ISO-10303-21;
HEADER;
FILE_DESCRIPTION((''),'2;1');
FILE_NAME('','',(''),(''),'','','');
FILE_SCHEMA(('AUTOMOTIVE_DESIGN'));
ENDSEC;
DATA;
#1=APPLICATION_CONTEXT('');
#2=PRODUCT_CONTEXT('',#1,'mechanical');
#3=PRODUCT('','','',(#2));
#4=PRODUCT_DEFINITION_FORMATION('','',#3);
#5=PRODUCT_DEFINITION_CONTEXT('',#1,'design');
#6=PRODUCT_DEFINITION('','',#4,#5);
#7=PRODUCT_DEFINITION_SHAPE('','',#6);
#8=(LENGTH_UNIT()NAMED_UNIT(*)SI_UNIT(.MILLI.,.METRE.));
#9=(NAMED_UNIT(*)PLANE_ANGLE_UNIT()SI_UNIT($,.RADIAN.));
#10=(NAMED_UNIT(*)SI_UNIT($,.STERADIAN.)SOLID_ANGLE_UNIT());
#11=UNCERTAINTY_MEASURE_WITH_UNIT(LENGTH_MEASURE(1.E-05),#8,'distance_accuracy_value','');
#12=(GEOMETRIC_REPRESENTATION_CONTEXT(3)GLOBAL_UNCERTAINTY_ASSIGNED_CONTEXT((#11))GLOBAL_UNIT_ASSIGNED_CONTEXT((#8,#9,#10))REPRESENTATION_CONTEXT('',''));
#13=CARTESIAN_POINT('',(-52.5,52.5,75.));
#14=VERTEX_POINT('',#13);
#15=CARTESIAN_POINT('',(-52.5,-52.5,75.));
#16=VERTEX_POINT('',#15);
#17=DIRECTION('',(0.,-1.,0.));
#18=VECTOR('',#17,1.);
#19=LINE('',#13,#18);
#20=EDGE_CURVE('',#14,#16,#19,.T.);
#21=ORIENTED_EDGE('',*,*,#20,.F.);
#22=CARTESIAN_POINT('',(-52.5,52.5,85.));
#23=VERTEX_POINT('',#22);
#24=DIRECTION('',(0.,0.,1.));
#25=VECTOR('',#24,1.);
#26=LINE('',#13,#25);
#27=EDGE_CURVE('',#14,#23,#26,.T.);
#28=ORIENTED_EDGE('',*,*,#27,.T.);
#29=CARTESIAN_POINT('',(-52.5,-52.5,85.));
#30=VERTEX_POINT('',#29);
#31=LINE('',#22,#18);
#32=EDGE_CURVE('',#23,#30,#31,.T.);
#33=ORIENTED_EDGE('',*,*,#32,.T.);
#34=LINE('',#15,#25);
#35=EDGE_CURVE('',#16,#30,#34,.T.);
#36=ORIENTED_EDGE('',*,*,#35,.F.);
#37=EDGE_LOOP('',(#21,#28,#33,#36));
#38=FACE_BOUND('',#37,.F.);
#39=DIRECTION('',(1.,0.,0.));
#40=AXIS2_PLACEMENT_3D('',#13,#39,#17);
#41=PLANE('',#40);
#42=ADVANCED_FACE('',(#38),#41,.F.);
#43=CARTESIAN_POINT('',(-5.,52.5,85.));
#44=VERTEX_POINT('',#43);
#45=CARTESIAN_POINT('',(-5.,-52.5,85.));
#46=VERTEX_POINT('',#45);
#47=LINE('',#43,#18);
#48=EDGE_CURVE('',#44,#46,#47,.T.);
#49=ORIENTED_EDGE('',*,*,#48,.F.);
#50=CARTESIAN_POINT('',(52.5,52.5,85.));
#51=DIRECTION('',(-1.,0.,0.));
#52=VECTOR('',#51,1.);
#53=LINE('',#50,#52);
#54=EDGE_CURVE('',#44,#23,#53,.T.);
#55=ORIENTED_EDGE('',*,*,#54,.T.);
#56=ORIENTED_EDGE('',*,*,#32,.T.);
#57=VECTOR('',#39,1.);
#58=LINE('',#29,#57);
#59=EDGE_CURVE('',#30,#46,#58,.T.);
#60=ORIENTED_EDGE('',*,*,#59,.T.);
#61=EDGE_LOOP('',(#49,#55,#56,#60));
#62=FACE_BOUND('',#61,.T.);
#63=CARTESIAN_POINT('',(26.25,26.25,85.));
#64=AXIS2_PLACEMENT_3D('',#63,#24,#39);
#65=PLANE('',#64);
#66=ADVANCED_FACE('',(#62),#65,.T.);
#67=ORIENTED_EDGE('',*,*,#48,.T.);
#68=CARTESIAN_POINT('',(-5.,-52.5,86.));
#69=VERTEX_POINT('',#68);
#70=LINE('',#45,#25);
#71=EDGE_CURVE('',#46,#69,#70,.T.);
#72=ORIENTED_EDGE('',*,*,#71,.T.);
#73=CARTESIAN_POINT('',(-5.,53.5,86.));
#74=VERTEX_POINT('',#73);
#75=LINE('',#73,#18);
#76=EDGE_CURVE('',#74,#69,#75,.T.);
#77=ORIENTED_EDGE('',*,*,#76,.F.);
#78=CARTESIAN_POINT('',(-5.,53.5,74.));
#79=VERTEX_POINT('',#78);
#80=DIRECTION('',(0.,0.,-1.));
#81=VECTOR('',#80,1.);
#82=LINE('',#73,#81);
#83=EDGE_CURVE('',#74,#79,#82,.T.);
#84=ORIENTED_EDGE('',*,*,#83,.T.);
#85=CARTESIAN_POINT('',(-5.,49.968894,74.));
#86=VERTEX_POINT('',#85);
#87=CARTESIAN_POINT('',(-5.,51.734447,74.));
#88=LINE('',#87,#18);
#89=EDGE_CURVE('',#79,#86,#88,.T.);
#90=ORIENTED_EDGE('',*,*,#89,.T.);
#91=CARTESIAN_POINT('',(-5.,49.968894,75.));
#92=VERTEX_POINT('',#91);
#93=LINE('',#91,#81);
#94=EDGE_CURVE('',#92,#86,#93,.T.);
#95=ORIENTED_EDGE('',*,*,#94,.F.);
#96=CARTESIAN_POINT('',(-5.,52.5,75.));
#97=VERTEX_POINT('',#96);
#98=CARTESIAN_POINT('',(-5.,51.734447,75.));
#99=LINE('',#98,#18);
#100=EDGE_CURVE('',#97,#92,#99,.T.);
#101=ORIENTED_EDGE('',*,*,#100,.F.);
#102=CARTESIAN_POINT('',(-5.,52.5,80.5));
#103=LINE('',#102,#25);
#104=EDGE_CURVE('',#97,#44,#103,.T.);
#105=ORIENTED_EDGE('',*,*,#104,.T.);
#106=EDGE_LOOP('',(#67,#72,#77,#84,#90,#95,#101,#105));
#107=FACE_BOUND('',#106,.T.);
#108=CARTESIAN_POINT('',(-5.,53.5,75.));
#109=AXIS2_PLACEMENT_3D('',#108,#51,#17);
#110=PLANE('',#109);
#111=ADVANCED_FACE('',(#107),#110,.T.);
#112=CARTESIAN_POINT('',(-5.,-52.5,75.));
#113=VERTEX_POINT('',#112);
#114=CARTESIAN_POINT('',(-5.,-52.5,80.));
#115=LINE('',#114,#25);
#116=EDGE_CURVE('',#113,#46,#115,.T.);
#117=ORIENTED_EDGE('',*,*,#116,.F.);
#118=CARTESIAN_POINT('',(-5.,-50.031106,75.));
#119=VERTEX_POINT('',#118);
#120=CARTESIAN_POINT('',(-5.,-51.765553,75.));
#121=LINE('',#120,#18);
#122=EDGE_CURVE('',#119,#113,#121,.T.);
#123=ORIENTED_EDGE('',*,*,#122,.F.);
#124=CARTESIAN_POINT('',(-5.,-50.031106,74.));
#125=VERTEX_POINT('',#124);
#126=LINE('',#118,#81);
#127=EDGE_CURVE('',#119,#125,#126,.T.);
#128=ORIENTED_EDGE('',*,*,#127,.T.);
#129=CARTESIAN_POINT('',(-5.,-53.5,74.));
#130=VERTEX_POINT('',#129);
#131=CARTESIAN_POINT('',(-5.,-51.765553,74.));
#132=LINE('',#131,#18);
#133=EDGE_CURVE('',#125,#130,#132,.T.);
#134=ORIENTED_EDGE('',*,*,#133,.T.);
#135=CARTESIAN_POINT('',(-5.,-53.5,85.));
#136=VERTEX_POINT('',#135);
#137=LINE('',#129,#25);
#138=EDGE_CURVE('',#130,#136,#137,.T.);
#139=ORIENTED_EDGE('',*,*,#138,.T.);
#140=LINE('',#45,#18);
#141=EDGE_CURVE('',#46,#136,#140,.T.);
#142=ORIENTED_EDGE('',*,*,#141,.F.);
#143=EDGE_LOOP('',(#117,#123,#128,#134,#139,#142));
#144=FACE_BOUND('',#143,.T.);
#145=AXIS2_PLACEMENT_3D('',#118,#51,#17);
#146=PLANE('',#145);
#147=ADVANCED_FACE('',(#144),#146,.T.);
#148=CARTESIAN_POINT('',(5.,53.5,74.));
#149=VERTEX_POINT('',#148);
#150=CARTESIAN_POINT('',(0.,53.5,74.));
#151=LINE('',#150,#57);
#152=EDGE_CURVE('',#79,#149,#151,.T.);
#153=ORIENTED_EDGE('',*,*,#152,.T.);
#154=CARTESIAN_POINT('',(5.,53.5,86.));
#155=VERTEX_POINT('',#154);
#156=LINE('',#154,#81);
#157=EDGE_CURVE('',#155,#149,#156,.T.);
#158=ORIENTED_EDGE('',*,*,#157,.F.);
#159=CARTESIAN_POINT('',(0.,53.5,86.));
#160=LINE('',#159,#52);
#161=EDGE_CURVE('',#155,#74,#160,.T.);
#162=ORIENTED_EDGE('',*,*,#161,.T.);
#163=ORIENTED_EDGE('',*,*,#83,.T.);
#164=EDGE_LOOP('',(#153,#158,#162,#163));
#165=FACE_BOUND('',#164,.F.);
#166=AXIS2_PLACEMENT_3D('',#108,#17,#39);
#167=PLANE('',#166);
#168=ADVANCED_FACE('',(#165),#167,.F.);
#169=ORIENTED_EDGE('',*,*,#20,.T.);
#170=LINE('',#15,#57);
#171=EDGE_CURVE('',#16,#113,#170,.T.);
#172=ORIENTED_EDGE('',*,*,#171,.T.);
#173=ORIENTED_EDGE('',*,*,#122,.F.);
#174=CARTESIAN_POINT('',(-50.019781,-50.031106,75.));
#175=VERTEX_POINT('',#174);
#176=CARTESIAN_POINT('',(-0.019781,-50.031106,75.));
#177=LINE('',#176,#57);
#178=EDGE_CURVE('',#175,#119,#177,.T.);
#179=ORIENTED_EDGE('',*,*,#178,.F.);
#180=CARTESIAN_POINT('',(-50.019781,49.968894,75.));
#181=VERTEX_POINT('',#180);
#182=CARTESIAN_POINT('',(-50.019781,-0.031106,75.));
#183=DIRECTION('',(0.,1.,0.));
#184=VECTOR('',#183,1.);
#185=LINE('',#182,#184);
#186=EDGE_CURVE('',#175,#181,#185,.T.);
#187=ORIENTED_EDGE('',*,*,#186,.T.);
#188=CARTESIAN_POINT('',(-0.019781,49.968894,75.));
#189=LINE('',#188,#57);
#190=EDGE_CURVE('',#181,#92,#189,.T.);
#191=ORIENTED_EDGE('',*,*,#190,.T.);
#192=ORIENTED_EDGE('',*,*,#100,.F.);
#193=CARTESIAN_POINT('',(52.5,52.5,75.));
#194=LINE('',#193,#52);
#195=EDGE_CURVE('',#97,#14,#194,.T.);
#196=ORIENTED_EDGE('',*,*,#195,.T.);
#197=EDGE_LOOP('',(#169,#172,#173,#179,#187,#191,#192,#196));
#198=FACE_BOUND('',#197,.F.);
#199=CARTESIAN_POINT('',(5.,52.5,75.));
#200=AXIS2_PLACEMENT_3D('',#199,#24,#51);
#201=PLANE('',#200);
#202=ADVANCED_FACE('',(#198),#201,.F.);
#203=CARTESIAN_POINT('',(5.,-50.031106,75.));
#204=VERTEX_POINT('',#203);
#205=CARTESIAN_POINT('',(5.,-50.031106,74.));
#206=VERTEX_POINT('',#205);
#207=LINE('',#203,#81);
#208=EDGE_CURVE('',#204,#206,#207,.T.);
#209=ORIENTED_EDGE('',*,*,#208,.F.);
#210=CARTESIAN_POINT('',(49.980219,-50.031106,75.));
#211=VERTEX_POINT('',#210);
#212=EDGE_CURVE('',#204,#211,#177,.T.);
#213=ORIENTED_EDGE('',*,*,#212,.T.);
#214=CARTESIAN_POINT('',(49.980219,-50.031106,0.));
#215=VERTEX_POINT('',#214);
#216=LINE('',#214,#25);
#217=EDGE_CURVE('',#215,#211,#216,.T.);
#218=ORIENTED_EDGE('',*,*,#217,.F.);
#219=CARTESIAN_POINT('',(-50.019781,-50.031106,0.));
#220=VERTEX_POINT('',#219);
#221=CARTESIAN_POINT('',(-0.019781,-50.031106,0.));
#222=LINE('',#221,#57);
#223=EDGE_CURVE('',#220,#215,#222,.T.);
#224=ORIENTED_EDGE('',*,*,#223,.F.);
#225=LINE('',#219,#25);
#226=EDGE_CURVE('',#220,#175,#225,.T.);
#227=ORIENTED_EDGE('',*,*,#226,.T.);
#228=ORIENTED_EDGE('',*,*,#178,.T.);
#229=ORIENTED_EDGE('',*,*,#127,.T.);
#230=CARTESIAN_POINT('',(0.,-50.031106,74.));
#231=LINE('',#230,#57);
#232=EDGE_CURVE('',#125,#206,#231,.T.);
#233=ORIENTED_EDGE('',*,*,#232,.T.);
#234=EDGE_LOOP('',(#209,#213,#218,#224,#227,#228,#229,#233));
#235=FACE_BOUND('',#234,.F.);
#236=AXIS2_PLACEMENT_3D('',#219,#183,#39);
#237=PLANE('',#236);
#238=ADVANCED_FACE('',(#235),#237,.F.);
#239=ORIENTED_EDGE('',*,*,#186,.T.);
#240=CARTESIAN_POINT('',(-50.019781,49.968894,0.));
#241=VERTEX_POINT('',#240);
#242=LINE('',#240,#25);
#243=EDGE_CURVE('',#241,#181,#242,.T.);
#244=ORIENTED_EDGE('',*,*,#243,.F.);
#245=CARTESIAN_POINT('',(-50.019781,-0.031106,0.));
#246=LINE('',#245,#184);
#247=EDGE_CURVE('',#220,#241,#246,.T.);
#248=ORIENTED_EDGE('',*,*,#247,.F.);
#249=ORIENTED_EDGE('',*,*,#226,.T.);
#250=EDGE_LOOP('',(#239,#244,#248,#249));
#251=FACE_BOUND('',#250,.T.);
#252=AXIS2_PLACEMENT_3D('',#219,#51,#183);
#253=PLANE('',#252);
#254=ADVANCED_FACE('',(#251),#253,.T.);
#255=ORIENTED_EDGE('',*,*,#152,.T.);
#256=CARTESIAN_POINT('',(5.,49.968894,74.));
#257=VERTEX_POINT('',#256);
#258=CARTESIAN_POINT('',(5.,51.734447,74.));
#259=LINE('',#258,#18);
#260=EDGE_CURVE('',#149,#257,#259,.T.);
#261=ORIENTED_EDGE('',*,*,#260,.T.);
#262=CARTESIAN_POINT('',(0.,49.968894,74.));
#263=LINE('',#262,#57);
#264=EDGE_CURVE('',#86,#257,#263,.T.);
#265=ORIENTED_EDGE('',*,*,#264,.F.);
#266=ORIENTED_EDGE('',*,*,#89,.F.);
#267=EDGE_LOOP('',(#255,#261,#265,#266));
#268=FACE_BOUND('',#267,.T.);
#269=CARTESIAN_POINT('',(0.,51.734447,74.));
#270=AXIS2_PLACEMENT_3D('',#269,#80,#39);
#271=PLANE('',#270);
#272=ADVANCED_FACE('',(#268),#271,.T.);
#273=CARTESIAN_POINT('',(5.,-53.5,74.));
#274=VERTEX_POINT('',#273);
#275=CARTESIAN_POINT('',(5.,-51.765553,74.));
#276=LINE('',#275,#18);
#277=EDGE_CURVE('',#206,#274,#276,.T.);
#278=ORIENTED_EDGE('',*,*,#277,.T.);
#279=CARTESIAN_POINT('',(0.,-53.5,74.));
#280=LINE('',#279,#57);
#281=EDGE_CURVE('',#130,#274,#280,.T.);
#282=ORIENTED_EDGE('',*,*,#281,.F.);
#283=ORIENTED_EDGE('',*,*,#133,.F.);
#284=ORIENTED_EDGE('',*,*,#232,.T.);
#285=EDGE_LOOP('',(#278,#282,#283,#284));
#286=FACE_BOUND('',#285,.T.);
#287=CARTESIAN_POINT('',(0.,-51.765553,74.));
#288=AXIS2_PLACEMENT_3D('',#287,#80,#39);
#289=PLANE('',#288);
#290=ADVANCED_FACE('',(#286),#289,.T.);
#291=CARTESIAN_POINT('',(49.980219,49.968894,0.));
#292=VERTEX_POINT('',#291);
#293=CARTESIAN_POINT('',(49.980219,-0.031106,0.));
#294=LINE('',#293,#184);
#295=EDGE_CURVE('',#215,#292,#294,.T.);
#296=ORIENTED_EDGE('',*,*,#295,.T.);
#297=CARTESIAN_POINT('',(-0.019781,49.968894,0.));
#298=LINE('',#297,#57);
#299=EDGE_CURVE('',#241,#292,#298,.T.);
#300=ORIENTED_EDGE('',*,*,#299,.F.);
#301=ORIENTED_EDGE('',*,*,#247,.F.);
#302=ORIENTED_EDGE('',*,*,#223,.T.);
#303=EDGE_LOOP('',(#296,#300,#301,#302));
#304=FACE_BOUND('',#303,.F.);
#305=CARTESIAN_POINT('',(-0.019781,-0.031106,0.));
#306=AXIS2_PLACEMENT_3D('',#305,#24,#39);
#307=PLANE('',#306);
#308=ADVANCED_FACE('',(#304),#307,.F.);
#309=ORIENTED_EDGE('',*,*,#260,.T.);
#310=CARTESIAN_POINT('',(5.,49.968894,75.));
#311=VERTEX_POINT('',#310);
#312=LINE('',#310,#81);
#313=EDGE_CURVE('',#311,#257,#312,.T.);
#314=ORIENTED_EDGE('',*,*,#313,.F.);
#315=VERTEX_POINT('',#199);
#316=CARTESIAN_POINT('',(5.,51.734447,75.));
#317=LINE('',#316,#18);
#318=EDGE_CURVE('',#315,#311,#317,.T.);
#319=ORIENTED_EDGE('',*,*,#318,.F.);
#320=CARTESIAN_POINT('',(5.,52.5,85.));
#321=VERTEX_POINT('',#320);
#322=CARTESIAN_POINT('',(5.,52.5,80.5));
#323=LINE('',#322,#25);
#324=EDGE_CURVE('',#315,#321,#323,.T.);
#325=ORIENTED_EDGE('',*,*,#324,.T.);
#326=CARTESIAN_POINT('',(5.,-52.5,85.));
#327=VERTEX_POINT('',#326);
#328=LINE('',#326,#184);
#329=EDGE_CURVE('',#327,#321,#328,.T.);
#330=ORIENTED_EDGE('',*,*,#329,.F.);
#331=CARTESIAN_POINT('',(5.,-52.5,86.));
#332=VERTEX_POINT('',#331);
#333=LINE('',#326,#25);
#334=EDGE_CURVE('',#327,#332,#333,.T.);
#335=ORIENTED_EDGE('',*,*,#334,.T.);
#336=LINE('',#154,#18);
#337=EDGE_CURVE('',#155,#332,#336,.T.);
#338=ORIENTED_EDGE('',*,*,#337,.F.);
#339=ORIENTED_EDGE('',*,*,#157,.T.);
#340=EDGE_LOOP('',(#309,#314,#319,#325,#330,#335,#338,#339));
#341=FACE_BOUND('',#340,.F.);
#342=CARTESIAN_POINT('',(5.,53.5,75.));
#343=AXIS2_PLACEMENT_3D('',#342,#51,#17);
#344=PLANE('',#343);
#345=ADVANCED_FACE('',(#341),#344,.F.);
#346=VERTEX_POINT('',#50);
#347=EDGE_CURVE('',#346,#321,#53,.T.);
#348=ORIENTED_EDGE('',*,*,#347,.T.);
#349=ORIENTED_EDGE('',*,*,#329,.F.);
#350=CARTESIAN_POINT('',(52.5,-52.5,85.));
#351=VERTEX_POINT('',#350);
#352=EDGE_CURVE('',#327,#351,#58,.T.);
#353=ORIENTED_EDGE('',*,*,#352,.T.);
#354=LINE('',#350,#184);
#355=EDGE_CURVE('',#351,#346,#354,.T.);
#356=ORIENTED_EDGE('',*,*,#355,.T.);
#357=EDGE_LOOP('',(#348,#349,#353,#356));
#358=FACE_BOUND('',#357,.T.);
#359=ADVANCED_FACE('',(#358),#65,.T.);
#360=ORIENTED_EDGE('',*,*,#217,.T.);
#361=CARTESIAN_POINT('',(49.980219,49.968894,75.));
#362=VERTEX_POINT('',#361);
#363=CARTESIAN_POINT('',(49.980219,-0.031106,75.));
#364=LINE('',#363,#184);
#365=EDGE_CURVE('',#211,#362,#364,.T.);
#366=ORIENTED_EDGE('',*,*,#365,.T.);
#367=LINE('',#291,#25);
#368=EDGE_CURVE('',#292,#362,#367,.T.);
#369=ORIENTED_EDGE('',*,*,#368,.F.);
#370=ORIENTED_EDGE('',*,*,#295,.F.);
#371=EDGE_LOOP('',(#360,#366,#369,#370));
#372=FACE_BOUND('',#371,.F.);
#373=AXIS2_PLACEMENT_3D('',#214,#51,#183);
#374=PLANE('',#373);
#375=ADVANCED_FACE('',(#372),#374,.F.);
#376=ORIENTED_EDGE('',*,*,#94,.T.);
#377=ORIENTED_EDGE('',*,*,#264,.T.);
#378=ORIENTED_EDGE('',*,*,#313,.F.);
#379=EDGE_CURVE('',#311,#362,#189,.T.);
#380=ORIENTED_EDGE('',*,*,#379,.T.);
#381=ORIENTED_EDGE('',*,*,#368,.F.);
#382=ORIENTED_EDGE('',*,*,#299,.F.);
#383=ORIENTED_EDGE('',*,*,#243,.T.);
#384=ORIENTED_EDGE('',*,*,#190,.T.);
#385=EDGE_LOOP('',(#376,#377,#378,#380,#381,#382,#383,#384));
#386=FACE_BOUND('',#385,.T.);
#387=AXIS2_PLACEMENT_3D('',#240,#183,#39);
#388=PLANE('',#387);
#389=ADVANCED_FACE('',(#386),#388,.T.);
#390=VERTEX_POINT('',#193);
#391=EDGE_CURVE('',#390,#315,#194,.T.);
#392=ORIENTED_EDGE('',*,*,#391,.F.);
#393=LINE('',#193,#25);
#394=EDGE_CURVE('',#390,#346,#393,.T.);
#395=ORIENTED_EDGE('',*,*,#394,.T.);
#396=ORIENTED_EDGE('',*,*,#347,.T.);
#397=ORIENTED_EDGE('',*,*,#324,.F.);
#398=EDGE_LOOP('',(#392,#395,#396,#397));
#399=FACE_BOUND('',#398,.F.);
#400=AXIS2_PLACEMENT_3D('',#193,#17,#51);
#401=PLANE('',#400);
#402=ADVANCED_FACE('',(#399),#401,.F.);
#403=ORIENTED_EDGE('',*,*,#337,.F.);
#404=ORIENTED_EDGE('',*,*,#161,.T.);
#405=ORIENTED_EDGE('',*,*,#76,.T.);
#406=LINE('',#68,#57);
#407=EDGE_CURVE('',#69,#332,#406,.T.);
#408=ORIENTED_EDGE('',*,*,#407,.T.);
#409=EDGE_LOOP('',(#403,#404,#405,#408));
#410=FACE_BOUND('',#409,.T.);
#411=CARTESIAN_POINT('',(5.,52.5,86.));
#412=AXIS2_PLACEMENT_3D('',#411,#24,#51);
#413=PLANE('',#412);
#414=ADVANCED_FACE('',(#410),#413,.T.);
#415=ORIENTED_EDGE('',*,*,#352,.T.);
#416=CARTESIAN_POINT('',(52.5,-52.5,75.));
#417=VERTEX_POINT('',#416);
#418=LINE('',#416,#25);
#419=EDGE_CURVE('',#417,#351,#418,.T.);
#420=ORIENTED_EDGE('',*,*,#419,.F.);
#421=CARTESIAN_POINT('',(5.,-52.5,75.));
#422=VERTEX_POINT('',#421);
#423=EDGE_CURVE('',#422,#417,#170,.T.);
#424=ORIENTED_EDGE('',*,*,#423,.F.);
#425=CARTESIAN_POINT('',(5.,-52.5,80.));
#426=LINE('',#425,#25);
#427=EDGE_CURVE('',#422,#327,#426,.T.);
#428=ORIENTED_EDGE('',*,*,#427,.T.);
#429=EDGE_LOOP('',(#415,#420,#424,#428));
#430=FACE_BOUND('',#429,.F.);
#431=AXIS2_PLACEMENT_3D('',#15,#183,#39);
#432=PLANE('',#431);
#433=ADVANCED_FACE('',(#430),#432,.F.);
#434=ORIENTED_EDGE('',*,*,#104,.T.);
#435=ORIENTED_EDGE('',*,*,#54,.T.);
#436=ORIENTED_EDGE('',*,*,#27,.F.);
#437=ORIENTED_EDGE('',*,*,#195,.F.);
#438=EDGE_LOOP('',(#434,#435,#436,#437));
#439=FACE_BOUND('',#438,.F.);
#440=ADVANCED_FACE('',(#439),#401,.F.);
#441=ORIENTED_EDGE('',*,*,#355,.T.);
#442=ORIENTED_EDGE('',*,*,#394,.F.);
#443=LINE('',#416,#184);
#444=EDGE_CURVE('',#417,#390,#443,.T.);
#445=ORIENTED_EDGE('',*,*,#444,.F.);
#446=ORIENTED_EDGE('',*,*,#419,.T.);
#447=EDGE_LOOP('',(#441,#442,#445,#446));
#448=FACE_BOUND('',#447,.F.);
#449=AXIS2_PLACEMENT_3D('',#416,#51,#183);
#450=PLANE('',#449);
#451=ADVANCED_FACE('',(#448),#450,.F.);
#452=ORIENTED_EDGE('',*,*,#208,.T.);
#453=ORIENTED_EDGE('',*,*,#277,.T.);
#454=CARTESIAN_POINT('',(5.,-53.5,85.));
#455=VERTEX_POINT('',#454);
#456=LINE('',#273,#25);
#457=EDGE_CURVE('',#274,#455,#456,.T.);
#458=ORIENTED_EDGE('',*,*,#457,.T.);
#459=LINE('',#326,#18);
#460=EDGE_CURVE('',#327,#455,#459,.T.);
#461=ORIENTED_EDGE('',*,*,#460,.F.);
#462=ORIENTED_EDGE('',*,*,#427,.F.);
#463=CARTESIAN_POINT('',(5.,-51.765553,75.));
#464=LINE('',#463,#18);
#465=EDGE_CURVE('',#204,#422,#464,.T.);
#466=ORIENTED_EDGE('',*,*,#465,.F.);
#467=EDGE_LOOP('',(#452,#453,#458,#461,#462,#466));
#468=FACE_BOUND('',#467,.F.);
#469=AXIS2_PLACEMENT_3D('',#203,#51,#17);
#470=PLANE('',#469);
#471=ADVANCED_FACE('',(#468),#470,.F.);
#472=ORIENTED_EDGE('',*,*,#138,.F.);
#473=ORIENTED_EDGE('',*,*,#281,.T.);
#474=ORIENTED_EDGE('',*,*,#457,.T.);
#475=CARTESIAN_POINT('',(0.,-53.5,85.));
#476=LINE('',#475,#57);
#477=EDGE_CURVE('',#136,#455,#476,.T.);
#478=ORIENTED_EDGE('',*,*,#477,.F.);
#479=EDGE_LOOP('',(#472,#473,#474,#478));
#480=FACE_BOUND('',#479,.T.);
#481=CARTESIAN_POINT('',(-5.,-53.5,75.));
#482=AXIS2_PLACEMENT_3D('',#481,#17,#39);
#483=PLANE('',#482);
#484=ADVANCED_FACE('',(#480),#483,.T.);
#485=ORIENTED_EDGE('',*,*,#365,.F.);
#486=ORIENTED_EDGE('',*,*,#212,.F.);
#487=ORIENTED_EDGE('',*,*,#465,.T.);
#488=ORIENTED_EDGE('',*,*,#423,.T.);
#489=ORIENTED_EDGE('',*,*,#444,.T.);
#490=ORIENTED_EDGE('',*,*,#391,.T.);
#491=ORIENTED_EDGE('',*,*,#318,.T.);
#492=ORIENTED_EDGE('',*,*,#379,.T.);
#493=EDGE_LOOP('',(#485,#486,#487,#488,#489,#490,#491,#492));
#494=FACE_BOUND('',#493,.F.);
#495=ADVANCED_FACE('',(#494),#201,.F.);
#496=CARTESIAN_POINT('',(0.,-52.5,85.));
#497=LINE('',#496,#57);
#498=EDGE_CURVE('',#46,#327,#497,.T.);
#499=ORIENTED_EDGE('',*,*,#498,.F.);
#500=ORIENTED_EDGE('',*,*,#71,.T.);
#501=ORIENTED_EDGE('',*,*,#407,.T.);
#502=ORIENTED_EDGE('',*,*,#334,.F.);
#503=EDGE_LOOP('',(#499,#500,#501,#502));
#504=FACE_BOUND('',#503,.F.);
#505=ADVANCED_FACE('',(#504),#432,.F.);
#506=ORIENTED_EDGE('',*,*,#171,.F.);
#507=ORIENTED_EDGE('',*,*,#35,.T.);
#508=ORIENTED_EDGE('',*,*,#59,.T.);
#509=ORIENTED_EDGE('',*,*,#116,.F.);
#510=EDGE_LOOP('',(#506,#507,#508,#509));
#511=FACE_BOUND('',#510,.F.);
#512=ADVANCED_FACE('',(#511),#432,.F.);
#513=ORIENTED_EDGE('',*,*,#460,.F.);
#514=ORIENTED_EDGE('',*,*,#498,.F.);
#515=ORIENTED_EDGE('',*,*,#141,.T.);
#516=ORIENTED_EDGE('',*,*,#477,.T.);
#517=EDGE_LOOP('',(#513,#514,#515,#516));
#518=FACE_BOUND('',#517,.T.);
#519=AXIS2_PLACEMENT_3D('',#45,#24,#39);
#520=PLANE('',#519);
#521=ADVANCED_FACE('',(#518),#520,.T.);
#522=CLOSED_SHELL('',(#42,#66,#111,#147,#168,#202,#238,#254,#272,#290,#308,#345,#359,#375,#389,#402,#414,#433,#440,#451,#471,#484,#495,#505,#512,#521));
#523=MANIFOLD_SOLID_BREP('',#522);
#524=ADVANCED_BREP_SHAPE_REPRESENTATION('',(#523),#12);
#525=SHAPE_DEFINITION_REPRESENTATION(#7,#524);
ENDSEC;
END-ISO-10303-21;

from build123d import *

# Parameters (mm, degrees)
F0_W      = 100
F0_H      = 100
F1_DEPTH  = 75
F2_W      = 52.5
F2_H      = 52.5
F3_DEPTH  = 10
F4_W      = 5
F4_H      = 52.5
F5_DEPTH  = 1
F6_W      = 10
F6_H      = 10
F7_DEPTH  = 1
F8_W      = 10
F8_H      = 11
F9_DEPTH  = 1
F10_W     = 10
F10_H     = 3.468894
F11_DEPTH = 1
F12_W     = 10
F12_H     = 3.531106
F13_DEPTH = 1


with BuildPart() as f1:
    # F0 (on Top) → F1 (new body)
    with BuildSketch(Plane.XY):
        with Locations((-0.019781, -0.031106)):
            Rectangle(F0_W, F0_H)
    extrude(amount=F1_DEPTH)

    # F2 (on face) → F3 (join)
    with BuildSketch(Plane.XY.offset(75)):
        with Locations((26.25, 26.25)):
            Rectangle(F2_W, F2_H)
        with Locations((-26.25, 26.25)):
            Rectangle(F2_W, F2_H)
        with Locations((26.25, -26.25)):
            Rectangle(F2_W, F2_H)
        with Locations((-26.25, -26.25)):
            Rectangle(F2_W, F2_H)
    extrude(amount=F3_DEPTH)

    # F4 (on face) → F5 (join)
    with BuildSketch(Plane.XY.offset(85)):
        with Locations((-2.5, -26.25)):
            Rectangle(F4_W, F4_H)
        with Locations((-2.5, 26.25)):
            Rectangle(F4_W, F4_H)
        with Locations((2.5, -26.25)):
            Rectangle(F4_W, F4_H)
        with Locations((2.5, 26.25)):
            Rectangle(F4_W, F4_H)
    extrude(amount=F5_DEPTH)

    # F6 (on face) → F7 (join)
    with BuildSketch(Plane.XZ.offset(52.5)):
        with Locations((0, 80)):
            Rectangle(F6_W, F6_H)
    extrude(amount=F7_DEPTH)

    # F8 (on face) → F9 (join)
    with BuildSketch(Plane(origin=(0, 52.5, 0), x_dir=(-1, 0, 0), z_dir=(0, 1, 0))):
        with Locations((0, 80.5)):
            Rectangle(F8_W, F8_H)
    extrude(amount=F9_DEPTH)

    # F10 (on face) → F11 (join)
    with BuildSketch(Plane(origin=(0, 0, 75), x_dir=(1, 0, 0), z_dir=(0, 0, -1))):
        with Locations((0, 51.765553)):
            Rectangle(F10_W, F10_H)
    extrude(amount=F11_DEPTH)

    # F12 (on face) → F13 (join)
    with BuildSketch(Plane(origin=(0, 0, 75), x_dir=(1, 0, 0), z_dir=(0, 0, -1))):
        with Locations((0, -51.734447)):
            Rectangle(F12_W, F12_H)
    extrude(amount=F13_DEPTH)


solid = f1.part
